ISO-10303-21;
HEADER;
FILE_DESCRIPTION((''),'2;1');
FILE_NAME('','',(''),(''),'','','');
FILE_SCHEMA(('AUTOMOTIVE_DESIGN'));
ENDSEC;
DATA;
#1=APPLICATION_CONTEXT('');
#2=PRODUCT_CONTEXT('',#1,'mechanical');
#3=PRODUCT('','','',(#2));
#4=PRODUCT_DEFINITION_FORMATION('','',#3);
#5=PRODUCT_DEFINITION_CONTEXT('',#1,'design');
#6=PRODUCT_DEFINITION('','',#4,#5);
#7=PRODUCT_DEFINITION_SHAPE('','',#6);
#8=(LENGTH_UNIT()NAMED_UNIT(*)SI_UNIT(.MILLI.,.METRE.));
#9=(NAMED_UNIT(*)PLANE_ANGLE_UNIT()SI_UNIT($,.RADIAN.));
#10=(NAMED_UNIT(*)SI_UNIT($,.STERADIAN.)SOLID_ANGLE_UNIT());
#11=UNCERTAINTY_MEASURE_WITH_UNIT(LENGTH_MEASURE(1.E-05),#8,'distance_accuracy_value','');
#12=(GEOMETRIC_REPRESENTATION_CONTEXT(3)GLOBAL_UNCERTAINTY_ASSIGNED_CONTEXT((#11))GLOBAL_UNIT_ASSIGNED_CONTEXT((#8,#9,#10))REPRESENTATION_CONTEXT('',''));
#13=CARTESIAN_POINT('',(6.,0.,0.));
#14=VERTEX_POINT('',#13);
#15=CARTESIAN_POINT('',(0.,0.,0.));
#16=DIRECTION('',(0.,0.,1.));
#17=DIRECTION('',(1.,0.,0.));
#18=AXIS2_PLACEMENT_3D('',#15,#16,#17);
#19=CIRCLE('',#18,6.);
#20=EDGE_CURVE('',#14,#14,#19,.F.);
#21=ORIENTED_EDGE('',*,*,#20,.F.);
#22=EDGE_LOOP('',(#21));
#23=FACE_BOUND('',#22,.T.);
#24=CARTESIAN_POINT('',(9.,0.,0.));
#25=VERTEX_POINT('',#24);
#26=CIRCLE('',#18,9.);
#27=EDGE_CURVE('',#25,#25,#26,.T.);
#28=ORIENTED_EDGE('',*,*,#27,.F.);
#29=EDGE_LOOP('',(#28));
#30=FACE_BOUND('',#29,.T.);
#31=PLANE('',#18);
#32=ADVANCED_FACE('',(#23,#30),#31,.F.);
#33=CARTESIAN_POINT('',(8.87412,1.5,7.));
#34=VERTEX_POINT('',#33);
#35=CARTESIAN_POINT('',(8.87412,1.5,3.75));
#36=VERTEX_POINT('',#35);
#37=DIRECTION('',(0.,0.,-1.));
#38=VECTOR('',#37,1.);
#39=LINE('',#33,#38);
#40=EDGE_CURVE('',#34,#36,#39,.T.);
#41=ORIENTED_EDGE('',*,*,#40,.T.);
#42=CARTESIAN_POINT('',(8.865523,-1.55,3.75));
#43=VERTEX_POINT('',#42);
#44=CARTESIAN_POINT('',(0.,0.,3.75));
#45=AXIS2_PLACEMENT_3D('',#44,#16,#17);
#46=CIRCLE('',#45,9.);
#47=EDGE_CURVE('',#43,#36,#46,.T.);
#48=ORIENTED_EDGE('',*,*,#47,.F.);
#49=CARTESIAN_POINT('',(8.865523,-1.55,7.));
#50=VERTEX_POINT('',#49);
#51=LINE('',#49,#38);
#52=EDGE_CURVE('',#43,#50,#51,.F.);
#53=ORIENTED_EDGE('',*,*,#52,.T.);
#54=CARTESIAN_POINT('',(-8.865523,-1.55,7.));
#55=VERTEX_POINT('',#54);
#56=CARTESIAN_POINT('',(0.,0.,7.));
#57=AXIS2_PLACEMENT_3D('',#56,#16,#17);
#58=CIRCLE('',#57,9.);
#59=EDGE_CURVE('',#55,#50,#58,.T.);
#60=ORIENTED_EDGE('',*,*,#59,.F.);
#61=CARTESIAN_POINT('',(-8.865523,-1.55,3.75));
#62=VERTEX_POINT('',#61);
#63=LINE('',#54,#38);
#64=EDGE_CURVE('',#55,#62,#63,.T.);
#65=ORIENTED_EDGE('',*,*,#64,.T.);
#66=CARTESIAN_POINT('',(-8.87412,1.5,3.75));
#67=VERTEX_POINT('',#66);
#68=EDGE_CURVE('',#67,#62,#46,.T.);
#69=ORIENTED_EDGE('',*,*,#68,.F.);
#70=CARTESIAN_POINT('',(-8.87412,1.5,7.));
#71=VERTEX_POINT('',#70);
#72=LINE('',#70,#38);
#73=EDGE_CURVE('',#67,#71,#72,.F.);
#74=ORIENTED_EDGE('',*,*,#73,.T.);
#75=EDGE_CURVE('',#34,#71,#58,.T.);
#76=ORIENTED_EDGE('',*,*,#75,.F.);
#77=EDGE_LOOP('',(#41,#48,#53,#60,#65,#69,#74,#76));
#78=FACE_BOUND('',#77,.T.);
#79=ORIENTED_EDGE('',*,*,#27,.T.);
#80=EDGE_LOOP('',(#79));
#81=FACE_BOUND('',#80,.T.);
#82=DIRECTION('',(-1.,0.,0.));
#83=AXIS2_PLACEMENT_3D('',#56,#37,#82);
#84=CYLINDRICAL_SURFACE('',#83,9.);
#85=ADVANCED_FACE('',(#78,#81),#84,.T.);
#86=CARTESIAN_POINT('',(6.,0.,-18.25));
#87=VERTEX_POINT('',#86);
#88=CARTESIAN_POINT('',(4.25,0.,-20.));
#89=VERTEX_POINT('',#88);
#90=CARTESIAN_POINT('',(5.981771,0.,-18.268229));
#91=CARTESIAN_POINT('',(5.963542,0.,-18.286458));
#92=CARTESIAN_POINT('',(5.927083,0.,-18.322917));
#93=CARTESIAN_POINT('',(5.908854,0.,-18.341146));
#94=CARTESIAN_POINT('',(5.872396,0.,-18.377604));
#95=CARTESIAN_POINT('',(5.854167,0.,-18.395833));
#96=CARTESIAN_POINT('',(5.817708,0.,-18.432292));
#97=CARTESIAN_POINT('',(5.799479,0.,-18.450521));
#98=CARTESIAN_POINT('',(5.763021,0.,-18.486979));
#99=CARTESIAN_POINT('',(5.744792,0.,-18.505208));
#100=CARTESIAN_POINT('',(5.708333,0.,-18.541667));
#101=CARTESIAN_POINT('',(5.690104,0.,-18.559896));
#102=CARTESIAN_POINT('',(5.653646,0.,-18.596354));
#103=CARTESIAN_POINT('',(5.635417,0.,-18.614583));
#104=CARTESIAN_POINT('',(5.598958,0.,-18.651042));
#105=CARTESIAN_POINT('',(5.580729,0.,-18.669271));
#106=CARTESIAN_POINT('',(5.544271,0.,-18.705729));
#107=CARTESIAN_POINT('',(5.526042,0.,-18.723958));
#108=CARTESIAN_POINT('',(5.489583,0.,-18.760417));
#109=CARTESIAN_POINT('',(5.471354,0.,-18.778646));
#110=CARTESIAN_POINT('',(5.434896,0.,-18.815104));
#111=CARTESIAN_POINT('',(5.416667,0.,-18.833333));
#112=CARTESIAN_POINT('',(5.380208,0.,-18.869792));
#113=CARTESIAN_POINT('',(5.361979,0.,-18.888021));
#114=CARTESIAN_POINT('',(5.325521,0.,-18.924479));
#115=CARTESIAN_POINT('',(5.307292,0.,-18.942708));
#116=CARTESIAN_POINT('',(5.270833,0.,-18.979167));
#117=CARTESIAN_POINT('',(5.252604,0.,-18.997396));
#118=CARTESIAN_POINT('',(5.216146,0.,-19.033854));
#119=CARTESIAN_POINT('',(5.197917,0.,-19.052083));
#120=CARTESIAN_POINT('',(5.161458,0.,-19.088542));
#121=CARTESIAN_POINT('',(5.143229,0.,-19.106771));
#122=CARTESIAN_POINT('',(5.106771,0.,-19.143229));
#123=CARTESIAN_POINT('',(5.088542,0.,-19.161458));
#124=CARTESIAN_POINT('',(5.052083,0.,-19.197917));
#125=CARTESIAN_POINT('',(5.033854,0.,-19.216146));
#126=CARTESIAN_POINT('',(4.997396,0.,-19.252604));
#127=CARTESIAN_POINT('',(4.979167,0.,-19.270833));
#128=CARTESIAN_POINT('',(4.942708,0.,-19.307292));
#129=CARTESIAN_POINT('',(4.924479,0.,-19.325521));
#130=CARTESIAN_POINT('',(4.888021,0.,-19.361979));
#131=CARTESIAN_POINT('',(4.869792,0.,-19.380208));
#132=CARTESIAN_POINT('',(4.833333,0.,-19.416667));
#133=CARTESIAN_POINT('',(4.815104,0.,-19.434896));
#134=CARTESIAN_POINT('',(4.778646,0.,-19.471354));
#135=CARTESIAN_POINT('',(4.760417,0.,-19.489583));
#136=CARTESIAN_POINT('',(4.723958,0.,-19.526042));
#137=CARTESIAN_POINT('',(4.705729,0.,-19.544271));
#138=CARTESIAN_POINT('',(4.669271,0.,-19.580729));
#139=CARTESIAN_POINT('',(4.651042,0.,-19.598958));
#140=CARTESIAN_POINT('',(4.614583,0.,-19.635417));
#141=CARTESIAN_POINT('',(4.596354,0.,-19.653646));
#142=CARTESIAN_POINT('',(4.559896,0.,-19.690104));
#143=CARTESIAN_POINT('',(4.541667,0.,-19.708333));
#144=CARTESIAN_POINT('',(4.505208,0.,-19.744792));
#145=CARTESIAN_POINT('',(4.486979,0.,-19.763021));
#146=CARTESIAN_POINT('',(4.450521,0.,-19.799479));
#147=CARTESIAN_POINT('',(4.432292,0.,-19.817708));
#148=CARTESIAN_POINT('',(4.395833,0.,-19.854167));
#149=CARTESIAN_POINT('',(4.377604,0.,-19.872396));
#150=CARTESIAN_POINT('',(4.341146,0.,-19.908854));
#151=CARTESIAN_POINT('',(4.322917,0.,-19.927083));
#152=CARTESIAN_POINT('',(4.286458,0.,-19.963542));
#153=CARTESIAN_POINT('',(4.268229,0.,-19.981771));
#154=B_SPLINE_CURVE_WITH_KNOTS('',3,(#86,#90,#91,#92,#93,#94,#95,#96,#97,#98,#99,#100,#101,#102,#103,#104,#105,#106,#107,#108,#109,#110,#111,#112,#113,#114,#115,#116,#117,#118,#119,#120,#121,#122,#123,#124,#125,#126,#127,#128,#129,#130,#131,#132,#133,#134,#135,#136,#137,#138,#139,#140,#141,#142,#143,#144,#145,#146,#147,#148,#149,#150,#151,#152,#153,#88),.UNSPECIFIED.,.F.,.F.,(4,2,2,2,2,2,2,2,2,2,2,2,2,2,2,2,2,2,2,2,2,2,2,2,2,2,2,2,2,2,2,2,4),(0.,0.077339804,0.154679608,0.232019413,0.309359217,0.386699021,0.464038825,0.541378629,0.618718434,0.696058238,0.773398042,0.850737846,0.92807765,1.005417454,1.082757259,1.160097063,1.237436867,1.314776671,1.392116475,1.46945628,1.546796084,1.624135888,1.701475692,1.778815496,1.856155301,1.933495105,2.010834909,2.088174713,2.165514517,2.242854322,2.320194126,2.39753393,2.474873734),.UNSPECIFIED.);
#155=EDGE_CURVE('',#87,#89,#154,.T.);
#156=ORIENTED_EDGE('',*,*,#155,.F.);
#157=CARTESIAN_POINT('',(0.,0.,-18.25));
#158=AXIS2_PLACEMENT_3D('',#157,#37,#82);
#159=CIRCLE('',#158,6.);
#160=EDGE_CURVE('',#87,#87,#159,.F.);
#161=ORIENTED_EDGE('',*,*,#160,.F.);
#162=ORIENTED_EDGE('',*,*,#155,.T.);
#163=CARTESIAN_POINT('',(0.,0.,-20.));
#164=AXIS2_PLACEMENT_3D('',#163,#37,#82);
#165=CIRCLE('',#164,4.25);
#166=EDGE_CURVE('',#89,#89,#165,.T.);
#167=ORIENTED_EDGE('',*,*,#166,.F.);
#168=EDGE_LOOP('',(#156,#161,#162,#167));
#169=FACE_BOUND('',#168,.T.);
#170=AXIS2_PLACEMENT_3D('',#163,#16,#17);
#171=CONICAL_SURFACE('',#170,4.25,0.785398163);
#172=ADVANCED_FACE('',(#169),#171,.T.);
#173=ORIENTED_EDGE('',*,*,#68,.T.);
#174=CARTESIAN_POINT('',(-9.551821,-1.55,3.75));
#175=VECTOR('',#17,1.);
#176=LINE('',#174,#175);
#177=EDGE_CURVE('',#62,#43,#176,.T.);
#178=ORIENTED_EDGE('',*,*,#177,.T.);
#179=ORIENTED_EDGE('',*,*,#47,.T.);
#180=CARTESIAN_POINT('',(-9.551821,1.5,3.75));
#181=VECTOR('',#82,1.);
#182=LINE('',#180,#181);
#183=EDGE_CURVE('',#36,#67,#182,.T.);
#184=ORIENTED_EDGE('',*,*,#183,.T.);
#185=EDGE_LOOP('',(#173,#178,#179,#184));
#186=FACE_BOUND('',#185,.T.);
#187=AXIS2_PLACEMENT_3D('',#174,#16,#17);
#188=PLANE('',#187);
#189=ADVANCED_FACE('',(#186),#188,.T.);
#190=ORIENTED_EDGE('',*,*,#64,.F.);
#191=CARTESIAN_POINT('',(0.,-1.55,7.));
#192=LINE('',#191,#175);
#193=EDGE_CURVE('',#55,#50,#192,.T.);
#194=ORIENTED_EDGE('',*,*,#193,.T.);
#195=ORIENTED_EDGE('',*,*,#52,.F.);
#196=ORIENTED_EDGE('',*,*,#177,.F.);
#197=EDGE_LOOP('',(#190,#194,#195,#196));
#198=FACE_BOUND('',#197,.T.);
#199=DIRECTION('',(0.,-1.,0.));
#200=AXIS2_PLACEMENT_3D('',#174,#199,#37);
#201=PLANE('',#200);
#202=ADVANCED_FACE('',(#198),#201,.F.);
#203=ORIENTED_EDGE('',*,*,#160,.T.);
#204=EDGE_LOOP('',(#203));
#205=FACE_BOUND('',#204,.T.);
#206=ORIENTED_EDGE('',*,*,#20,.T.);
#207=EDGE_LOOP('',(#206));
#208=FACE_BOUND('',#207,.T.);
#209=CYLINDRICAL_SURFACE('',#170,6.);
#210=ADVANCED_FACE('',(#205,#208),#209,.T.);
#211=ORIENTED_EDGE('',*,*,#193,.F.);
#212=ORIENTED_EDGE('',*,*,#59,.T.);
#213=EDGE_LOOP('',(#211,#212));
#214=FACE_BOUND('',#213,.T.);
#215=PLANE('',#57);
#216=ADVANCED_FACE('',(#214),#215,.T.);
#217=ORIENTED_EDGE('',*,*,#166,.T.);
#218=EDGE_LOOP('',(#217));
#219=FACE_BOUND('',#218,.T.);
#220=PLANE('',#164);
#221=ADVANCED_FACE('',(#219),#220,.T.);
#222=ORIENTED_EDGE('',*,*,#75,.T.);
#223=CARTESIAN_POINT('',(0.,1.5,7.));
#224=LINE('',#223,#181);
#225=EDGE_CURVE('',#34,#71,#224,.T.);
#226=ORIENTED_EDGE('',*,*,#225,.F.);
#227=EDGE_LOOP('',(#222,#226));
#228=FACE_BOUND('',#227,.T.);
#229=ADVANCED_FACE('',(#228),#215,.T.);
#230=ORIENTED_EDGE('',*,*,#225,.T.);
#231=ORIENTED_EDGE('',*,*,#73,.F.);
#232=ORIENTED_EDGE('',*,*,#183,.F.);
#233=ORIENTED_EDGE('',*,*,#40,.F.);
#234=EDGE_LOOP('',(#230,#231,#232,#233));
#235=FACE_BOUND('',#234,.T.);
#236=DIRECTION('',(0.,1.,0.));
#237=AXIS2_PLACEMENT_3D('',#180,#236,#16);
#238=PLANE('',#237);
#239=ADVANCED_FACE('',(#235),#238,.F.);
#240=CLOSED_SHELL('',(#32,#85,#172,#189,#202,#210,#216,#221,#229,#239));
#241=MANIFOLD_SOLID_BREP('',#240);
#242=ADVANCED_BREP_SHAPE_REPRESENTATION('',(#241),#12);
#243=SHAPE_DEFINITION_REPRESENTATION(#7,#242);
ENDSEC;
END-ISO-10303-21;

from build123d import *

# Parameters (mm, degrees)
SKETCH_12_R         = 9
EXTRUDE_3_DEPTH     = 7
SKETCH_13_R         = 6
EXTRUDE_4_DEPTH     = 20
SKETCH_20_W         = 19.196078431
SKETCH_20_H         = 3.05
CUT_EXTRUDE_8_DEPTH = 3.25
CHAMFER_1_SIZE      = 1.75


with BuildPart() as part:
    # Эскиз12 → Вытянуть3 (new body)
    with BuildSketch(Plane.XY):
        Circle(SKETCH_12_R)
    extrude(amount=EXTRUDE_3_DEPTH)

    # Эскиз13 → Вытянуть4 (add)
    with BuildSketch(Plane(origin=(0, 0, 0), x_dir=(-1, 0, 0), z_dir=(0, 0, -1))):
        with Locations(Location((0, 0, 0), (0, 0, 180))):
            Circle(SKETCH_13_R)
    extrude(amount=EXTRUDE_4_DEPTH)

    # Эскиз20 → Вырез-Вытянуть8 (cut)
    with BuildSketch(Plane.XY.offset(7)):
        with Locations((0.046218488, -0.025)):
            Rectangle(SKETCH_20_W, SKETCH_20_H)
    extrude(amount=-CUT_EXTRUDE_8_DEPTH, mode=Mode.SUBTRACT)

    # Фаска1
    chamfer_1_edges = [part.edges().sort_by_distance(p)[0] for p in [
        (-6, 0, -20),
    ]]
    chamfer(chamfer_1_edges, length=CHAMFER_1_SIZE)


solid = part.part
